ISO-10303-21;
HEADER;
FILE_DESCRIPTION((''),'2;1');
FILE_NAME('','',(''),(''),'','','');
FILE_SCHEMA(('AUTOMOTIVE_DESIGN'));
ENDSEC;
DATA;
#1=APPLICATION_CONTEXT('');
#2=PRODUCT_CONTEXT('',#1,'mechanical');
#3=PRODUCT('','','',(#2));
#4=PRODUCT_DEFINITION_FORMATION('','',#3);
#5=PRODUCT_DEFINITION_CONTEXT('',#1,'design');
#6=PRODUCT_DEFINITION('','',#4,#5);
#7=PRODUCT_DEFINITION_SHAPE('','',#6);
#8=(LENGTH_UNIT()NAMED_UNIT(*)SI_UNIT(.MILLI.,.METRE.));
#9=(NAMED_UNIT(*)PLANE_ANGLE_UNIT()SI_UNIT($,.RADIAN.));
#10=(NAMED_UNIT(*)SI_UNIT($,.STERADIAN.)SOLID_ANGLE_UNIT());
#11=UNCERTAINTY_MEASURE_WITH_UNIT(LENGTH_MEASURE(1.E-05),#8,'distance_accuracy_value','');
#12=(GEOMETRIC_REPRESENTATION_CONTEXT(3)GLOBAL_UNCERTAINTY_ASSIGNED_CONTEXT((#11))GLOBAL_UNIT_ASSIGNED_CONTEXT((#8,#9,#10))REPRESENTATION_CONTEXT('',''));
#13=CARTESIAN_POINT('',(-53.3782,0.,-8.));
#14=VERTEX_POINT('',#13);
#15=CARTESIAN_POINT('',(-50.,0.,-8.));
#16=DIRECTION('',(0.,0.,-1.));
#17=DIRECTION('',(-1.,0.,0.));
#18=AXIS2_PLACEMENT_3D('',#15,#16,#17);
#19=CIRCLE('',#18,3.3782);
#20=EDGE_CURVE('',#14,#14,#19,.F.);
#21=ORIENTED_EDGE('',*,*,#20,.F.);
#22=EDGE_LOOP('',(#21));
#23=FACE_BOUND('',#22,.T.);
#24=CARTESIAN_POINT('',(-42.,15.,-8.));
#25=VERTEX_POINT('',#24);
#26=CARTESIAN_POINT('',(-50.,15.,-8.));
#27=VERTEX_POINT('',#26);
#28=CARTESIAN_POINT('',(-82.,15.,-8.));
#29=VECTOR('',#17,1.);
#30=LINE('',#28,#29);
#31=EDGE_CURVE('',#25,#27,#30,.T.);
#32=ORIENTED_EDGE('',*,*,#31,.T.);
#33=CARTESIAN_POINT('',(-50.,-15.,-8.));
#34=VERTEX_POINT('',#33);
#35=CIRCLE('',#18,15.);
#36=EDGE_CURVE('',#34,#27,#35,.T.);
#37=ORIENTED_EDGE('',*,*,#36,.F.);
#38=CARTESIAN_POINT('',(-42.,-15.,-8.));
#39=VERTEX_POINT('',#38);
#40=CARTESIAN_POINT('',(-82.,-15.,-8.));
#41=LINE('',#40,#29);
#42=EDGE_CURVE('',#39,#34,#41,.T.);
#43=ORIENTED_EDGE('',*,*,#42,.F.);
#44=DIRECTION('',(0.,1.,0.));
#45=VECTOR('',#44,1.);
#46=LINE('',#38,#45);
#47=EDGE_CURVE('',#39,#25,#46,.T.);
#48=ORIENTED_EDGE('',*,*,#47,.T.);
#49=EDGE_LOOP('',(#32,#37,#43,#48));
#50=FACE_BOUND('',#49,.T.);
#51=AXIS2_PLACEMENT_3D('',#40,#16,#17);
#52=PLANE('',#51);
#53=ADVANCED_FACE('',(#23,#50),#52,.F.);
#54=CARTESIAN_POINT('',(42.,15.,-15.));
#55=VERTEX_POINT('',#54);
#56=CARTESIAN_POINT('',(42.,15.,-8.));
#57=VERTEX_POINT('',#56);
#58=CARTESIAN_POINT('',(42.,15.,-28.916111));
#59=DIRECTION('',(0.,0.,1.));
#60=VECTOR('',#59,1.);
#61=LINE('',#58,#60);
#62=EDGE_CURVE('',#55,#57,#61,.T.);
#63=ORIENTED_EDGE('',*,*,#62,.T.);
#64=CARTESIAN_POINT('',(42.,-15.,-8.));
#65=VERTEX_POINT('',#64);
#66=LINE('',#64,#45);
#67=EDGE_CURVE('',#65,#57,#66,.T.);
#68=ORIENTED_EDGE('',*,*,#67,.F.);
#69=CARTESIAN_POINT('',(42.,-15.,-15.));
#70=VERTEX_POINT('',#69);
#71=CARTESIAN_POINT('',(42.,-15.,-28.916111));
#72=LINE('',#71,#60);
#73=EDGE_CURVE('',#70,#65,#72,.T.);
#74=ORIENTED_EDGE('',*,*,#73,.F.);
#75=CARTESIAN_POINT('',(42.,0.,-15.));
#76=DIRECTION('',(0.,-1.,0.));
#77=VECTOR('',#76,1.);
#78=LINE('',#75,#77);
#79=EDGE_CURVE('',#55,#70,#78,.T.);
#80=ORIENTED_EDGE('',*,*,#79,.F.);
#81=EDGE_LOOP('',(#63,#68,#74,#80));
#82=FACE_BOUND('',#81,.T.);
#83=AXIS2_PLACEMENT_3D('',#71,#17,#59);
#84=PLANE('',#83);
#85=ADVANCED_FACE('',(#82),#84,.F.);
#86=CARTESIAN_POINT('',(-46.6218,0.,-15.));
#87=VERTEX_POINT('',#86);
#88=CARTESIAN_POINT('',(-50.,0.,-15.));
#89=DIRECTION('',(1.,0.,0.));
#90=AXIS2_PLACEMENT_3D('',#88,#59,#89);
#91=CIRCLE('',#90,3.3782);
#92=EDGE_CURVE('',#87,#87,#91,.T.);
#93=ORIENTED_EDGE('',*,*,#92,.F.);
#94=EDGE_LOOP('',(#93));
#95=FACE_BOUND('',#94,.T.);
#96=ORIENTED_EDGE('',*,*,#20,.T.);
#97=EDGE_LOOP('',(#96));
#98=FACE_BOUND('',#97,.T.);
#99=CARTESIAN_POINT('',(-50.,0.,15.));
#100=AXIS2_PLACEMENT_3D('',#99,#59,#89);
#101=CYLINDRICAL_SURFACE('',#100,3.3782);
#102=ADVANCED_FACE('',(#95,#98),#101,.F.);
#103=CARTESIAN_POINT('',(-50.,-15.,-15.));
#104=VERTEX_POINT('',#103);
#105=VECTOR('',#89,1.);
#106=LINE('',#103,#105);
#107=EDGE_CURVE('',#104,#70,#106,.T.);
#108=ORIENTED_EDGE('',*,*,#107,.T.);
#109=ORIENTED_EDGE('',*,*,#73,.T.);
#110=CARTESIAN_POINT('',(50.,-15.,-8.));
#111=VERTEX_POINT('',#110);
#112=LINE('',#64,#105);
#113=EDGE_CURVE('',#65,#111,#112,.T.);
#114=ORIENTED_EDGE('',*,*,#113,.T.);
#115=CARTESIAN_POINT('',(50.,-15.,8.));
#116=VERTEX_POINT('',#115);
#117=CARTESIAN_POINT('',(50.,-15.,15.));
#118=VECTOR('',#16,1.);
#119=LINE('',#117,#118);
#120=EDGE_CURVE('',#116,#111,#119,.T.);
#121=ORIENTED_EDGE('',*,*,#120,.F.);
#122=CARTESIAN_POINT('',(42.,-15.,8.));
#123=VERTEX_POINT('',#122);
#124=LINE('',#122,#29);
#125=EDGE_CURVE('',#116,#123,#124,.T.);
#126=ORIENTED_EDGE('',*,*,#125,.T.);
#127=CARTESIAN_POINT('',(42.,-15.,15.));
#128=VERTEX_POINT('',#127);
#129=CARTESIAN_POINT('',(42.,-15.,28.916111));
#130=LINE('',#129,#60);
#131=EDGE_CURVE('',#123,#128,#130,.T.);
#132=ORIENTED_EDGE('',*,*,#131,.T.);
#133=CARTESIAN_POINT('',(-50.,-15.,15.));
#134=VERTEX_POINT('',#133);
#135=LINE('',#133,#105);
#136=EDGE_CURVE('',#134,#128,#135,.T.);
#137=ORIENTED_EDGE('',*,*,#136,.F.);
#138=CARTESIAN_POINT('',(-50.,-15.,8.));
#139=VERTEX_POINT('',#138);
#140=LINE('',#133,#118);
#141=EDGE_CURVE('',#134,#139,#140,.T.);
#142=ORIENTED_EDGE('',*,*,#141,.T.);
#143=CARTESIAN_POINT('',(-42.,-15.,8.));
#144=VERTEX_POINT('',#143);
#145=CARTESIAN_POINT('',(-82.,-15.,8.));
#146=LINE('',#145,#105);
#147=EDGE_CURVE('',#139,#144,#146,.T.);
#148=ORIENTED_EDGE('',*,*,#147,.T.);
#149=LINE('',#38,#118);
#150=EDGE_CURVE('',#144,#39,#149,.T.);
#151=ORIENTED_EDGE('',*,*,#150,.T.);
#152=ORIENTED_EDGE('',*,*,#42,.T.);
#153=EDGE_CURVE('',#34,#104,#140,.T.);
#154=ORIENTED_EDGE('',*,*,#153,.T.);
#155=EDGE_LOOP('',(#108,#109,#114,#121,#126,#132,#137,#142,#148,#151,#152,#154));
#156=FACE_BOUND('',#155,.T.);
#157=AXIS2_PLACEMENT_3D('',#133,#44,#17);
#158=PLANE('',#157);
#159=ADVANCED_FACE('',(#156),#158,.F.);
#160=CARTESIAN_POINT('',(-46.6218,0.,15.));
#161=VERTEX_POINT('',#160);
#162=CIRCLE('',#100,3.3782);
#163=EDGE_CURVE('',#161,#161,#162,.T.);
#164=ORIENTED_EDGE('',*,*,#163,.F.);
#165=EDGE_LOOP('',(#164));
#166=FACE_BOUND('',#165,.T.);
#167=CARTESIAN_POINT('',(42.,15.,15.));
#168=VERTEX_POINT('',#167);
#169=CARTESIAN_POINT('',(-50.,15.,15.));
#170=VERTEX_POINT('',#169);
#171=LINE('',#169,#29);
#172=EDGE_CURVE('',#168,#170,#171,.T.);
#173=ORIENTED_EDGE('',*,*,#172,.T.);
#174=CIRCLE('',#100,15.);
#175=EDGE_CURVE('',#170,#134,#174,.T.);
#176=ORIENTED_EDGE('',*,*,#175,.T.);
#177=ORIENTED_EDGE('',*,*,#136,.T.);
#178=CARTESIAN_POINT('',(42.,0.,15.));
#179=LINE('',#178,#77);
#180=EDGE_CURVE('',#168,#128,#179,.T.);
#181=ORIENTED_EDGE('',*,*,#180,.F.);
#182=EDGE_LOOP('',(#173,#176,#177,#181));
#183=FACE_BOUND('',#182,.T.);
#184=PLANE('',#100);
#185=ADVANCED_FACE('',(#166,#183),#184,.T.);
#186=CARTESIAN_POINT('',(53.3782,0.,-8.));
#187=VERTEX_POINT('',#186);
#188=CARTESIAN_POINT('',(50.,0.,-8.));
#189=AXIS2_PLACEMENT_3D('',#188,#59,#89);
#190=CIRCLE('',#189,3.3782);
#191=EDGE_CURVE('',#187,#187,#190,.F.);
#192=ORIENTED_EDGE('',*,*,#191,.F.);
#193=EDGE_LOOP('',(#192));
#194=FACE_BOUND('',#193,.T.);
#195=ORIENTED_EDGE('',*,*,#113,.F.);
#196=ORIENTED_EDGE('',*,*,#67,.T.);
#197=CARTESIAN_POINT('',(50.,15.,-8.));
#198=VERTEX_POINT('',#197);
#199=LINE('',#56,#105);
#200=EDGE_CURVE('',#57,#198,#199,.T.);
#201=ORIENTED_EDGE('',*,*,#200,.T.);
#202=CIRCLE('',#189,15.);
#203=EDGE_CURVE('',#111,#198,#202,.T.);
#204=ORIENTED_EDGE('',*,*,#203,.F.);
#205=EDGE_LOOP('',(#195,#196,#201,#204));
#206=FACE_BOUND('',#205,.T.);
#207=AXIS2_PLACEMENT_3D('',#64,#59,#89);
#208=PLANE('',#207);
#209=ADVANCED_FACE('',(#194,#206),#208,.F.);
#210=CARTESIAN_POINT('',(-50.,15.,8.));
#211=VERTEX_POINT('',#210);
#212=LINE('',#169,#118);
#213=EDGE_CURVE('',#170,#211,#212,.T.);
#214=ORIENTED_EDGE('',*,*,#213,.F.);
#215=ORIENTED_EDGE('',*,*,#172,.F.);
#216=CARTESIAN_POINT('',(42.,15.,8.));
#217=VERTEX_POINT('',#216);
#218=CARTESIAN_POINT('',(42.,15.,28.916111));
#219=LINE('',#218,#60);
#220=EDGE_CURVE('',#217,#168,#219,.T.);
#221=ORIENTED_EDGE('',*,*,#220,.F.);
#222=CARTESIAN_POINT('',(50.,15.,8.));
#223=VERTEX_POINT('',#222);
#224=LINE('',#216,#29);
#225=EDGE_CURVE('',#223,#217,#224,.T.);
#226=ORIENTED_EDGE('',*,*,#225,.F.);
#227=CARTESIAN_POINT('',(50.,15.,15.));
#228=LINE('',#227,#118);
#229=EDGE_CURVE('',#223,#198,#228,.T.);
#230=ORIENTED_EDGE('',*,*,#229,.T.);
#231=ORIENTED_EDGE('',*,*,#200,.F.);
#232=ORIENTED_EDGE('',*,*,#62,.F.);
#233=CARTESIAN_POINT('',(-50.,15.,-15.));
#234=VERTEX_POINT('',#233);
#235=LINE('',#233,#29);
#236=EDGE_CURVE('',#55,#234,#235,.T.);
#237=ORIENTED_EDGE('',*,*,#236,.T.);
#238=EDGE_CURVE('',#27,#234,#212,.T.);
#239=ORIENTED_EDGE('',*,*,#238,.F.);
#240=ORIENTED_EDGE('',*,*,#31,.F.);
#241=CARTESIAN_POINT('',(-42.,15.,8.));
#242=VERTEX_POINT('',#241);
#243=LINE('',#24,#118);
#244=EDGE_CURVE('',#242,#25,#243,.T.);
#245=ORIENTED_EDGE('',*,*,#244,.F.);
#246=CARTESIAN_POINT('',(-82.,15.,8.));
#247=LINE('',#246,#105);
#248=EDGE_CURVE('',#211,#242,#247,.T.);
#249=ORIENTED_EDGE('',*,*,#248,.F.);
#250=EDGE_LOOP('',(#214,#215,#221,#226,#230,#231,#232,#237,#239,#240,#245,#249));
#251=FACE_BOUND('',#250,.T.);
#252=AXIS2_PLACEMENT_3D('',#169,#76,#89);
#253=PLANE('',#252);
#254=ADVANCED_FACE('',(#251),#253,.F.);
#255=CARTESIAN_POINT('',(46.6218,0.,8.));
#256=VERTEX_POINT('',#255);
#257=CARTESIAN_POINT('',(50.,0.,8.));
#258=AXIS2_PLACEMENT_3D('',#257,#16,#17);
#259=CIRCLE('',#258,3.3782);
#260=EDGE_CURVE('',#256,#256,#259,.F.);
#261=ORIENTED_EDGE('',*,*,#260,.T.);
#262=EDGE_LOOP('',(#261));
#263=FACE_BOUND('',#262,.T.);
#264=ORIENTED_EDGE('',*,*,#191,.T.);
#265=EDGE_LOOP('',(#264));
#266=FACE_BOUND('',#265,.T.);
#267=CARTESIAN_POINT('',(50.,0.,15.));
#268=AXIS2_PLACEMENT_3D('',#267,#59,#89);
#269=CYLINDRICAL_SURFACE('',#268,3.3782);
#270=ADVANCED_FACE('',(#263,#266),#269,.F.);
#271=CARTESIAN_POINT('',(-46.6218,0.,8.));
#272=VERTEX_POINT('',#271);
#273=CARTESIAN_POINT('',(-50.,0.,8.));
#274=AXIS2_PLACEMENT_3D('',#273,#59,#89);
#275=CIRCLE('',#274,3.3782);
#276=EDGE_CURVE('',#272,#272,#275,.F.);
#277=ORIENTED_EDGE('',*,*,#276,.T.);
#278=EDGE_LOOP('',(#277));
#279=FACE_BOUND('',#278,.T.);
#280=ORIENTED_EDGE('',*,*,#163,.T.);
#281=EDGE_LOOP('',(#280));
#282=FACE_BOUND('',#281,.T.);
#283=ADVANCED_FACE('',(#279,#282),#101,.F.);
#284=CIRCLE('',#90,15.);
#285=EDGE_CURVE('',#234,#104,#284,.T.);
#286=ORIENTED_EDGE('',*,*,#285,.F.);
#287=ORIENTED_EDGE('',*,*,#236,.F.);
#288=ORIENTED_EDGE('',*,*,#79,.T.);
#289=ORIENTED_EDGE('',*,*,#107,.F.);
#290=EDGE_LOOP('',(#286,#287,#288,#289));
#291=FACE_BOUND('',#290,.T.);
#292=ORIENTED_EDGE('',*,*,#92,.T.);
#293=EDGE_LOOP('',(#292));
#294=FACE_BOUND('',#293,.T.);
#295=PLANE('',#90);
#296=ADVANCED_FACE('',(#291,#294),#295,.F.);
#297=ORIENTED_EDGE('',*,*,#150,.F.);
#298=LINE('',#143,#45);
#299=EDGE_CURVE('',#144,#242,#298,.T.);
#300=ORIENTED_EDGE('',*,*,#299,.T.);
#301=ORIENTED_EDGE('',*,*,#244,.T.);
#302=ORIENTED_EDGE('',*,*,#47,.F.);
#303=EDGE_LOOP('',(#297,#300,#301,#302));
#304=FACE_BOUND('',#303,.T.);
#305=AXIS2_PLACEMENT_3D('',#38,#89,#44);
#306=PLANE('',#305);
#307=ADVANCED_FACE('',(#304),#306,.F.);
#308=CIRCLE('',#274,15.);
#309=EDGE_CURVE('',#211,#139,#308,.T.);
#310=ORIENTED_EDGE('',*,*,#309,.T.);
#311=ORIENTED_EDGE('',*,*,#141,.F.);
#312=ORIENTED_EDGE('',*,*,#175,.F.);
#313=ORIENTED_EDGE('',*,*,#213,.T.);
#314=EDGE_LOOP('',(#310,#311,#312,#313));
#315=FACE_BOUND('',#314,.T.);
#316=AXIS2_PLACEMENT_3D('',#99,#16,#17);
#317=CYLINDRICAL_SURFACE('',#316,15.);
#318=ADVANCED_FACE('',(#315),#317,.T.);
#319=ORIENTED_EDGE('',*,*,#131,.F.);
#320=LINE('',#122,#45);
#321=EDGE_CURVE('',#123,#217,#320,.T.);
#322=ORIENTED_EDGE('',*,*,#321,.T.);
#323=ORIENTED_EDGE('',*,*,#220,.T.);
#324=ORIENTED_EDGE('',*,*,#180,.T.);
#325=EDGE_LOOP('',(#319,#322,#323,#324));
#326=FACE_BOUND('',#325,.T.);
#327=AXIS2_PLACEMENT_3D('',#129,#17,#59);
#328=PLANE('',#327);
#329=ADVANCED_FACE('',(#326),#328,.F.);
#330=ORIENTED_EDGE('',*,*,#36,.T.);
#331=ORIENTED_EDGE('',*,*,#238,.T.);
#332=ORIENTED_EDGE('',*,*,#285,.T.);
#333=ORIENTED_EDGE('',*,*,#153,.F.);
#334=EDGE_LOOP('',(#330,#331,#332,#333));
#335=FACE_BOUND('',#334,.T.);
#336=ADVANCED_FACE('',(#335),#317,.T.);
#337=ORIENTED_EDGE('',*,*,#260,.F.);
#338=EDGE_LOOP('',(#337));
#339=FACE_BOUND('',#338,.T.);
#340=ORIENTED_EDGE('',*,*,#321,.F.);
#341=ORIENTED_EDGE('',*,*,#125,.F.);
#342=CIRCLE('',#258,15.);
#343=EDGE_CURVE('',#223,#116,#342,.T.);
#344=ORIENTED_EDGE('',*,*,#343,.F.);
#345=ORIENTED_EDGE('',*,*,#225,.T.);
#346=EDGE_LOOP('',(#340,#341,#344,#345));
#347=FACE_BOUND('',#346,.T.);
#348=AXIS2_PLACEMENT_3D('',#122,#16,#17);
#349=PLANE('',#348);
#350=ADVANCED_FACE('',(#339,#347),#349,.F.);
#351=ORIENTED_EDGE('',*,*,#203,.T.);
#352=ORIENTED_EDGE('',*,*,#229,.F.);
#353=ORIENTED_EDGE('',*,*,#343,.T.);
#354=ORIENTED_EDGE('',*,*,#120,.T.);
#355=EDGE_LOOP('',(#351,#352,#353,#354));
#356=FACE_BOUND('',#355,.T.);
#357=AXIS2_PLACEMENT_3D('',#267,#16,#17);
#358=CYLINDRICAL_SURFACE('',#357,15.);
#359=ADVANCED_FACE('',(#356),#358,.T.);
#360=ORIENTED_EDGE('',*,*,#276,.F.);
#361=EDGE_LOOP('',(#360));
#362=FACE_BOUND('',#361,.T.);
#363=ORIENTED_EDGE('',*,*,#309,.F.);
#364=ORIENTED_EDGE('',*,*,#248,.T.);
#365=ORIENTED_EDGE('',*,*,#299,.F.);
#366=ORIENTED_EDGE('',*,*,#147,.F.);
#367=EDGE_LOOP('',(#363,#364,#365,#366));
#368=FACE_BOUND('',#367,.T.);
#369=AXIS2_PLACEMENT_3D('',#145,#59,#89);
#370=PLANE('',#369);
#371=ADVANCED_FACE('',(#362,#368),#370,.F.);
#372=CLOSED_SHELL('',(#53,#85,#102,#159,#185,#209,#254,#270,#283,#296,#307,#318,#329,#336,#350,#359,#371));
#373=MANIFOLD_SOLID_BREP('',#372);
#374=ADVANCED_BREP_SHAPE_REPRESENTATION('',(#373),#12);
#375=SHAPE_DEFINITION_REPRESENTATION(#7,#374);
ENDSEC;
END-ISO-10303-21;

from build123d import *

# Parameters (mm, degrees)
BOSS_EXTRUDE1_DEPTH      = 15
H_0_266_DIAMETER_HOLE1_D = 6.7564
SKETCH5_W                = 40
SKETCH5_H                = 16
SKETCH5_H_2              = 20.916111238
CUT_EXTRUDE1_DEPTH       = 74.143694192


with BuildPart() as part:
    # Sketch1 → Boss-Extrude1 (new, symmetric)
    with BuildSketch(Plane.XY):
        with BuildLine():
            Line((-50, 15), (50, 15))
            ThreePointArc((50, 15), (65, 0), (50, -15))
            Line((50, -15), (-50, -15))
            ThreePointArc((-50, -15), (-65, 0), (-50, 15))
        make_face()
    extrude(amount=BOSS_EXTRUDE1_DEPTH, both=True)

    # H (0.266) Diameter Hole1 (through all)
    with Locations(Plane.XY.offset(15)):
        with Locations((-50, 0), (50, 0)):
            Hole(H_0_266_DIAMETER_HOLE1_D / 2)

    # Sketch5 → Cut-Extrude1 (cut, through all)
    with BuildSketch(Plane(origin=(0, 15, 0), x_dir=(1, 0, 0), z_dir=(0, 1, 0))):
        with Locations((-62, 0)):
            Rectangle(SKETCH5_W, SKETCH5_H)
        with Locations((62, 18.458055619)):
            Rectangle(SKETCH5_W, SKETCH5_H_2)
        with Locations((62, -18.458055619)):
            Rectangle(SKETCH5_W, SKETCH5_H_2)
    extrude(amount=-CUT_EXTRUDE1_DEPTH, mode=Mode.SUBTRACT)


solid = part.part
